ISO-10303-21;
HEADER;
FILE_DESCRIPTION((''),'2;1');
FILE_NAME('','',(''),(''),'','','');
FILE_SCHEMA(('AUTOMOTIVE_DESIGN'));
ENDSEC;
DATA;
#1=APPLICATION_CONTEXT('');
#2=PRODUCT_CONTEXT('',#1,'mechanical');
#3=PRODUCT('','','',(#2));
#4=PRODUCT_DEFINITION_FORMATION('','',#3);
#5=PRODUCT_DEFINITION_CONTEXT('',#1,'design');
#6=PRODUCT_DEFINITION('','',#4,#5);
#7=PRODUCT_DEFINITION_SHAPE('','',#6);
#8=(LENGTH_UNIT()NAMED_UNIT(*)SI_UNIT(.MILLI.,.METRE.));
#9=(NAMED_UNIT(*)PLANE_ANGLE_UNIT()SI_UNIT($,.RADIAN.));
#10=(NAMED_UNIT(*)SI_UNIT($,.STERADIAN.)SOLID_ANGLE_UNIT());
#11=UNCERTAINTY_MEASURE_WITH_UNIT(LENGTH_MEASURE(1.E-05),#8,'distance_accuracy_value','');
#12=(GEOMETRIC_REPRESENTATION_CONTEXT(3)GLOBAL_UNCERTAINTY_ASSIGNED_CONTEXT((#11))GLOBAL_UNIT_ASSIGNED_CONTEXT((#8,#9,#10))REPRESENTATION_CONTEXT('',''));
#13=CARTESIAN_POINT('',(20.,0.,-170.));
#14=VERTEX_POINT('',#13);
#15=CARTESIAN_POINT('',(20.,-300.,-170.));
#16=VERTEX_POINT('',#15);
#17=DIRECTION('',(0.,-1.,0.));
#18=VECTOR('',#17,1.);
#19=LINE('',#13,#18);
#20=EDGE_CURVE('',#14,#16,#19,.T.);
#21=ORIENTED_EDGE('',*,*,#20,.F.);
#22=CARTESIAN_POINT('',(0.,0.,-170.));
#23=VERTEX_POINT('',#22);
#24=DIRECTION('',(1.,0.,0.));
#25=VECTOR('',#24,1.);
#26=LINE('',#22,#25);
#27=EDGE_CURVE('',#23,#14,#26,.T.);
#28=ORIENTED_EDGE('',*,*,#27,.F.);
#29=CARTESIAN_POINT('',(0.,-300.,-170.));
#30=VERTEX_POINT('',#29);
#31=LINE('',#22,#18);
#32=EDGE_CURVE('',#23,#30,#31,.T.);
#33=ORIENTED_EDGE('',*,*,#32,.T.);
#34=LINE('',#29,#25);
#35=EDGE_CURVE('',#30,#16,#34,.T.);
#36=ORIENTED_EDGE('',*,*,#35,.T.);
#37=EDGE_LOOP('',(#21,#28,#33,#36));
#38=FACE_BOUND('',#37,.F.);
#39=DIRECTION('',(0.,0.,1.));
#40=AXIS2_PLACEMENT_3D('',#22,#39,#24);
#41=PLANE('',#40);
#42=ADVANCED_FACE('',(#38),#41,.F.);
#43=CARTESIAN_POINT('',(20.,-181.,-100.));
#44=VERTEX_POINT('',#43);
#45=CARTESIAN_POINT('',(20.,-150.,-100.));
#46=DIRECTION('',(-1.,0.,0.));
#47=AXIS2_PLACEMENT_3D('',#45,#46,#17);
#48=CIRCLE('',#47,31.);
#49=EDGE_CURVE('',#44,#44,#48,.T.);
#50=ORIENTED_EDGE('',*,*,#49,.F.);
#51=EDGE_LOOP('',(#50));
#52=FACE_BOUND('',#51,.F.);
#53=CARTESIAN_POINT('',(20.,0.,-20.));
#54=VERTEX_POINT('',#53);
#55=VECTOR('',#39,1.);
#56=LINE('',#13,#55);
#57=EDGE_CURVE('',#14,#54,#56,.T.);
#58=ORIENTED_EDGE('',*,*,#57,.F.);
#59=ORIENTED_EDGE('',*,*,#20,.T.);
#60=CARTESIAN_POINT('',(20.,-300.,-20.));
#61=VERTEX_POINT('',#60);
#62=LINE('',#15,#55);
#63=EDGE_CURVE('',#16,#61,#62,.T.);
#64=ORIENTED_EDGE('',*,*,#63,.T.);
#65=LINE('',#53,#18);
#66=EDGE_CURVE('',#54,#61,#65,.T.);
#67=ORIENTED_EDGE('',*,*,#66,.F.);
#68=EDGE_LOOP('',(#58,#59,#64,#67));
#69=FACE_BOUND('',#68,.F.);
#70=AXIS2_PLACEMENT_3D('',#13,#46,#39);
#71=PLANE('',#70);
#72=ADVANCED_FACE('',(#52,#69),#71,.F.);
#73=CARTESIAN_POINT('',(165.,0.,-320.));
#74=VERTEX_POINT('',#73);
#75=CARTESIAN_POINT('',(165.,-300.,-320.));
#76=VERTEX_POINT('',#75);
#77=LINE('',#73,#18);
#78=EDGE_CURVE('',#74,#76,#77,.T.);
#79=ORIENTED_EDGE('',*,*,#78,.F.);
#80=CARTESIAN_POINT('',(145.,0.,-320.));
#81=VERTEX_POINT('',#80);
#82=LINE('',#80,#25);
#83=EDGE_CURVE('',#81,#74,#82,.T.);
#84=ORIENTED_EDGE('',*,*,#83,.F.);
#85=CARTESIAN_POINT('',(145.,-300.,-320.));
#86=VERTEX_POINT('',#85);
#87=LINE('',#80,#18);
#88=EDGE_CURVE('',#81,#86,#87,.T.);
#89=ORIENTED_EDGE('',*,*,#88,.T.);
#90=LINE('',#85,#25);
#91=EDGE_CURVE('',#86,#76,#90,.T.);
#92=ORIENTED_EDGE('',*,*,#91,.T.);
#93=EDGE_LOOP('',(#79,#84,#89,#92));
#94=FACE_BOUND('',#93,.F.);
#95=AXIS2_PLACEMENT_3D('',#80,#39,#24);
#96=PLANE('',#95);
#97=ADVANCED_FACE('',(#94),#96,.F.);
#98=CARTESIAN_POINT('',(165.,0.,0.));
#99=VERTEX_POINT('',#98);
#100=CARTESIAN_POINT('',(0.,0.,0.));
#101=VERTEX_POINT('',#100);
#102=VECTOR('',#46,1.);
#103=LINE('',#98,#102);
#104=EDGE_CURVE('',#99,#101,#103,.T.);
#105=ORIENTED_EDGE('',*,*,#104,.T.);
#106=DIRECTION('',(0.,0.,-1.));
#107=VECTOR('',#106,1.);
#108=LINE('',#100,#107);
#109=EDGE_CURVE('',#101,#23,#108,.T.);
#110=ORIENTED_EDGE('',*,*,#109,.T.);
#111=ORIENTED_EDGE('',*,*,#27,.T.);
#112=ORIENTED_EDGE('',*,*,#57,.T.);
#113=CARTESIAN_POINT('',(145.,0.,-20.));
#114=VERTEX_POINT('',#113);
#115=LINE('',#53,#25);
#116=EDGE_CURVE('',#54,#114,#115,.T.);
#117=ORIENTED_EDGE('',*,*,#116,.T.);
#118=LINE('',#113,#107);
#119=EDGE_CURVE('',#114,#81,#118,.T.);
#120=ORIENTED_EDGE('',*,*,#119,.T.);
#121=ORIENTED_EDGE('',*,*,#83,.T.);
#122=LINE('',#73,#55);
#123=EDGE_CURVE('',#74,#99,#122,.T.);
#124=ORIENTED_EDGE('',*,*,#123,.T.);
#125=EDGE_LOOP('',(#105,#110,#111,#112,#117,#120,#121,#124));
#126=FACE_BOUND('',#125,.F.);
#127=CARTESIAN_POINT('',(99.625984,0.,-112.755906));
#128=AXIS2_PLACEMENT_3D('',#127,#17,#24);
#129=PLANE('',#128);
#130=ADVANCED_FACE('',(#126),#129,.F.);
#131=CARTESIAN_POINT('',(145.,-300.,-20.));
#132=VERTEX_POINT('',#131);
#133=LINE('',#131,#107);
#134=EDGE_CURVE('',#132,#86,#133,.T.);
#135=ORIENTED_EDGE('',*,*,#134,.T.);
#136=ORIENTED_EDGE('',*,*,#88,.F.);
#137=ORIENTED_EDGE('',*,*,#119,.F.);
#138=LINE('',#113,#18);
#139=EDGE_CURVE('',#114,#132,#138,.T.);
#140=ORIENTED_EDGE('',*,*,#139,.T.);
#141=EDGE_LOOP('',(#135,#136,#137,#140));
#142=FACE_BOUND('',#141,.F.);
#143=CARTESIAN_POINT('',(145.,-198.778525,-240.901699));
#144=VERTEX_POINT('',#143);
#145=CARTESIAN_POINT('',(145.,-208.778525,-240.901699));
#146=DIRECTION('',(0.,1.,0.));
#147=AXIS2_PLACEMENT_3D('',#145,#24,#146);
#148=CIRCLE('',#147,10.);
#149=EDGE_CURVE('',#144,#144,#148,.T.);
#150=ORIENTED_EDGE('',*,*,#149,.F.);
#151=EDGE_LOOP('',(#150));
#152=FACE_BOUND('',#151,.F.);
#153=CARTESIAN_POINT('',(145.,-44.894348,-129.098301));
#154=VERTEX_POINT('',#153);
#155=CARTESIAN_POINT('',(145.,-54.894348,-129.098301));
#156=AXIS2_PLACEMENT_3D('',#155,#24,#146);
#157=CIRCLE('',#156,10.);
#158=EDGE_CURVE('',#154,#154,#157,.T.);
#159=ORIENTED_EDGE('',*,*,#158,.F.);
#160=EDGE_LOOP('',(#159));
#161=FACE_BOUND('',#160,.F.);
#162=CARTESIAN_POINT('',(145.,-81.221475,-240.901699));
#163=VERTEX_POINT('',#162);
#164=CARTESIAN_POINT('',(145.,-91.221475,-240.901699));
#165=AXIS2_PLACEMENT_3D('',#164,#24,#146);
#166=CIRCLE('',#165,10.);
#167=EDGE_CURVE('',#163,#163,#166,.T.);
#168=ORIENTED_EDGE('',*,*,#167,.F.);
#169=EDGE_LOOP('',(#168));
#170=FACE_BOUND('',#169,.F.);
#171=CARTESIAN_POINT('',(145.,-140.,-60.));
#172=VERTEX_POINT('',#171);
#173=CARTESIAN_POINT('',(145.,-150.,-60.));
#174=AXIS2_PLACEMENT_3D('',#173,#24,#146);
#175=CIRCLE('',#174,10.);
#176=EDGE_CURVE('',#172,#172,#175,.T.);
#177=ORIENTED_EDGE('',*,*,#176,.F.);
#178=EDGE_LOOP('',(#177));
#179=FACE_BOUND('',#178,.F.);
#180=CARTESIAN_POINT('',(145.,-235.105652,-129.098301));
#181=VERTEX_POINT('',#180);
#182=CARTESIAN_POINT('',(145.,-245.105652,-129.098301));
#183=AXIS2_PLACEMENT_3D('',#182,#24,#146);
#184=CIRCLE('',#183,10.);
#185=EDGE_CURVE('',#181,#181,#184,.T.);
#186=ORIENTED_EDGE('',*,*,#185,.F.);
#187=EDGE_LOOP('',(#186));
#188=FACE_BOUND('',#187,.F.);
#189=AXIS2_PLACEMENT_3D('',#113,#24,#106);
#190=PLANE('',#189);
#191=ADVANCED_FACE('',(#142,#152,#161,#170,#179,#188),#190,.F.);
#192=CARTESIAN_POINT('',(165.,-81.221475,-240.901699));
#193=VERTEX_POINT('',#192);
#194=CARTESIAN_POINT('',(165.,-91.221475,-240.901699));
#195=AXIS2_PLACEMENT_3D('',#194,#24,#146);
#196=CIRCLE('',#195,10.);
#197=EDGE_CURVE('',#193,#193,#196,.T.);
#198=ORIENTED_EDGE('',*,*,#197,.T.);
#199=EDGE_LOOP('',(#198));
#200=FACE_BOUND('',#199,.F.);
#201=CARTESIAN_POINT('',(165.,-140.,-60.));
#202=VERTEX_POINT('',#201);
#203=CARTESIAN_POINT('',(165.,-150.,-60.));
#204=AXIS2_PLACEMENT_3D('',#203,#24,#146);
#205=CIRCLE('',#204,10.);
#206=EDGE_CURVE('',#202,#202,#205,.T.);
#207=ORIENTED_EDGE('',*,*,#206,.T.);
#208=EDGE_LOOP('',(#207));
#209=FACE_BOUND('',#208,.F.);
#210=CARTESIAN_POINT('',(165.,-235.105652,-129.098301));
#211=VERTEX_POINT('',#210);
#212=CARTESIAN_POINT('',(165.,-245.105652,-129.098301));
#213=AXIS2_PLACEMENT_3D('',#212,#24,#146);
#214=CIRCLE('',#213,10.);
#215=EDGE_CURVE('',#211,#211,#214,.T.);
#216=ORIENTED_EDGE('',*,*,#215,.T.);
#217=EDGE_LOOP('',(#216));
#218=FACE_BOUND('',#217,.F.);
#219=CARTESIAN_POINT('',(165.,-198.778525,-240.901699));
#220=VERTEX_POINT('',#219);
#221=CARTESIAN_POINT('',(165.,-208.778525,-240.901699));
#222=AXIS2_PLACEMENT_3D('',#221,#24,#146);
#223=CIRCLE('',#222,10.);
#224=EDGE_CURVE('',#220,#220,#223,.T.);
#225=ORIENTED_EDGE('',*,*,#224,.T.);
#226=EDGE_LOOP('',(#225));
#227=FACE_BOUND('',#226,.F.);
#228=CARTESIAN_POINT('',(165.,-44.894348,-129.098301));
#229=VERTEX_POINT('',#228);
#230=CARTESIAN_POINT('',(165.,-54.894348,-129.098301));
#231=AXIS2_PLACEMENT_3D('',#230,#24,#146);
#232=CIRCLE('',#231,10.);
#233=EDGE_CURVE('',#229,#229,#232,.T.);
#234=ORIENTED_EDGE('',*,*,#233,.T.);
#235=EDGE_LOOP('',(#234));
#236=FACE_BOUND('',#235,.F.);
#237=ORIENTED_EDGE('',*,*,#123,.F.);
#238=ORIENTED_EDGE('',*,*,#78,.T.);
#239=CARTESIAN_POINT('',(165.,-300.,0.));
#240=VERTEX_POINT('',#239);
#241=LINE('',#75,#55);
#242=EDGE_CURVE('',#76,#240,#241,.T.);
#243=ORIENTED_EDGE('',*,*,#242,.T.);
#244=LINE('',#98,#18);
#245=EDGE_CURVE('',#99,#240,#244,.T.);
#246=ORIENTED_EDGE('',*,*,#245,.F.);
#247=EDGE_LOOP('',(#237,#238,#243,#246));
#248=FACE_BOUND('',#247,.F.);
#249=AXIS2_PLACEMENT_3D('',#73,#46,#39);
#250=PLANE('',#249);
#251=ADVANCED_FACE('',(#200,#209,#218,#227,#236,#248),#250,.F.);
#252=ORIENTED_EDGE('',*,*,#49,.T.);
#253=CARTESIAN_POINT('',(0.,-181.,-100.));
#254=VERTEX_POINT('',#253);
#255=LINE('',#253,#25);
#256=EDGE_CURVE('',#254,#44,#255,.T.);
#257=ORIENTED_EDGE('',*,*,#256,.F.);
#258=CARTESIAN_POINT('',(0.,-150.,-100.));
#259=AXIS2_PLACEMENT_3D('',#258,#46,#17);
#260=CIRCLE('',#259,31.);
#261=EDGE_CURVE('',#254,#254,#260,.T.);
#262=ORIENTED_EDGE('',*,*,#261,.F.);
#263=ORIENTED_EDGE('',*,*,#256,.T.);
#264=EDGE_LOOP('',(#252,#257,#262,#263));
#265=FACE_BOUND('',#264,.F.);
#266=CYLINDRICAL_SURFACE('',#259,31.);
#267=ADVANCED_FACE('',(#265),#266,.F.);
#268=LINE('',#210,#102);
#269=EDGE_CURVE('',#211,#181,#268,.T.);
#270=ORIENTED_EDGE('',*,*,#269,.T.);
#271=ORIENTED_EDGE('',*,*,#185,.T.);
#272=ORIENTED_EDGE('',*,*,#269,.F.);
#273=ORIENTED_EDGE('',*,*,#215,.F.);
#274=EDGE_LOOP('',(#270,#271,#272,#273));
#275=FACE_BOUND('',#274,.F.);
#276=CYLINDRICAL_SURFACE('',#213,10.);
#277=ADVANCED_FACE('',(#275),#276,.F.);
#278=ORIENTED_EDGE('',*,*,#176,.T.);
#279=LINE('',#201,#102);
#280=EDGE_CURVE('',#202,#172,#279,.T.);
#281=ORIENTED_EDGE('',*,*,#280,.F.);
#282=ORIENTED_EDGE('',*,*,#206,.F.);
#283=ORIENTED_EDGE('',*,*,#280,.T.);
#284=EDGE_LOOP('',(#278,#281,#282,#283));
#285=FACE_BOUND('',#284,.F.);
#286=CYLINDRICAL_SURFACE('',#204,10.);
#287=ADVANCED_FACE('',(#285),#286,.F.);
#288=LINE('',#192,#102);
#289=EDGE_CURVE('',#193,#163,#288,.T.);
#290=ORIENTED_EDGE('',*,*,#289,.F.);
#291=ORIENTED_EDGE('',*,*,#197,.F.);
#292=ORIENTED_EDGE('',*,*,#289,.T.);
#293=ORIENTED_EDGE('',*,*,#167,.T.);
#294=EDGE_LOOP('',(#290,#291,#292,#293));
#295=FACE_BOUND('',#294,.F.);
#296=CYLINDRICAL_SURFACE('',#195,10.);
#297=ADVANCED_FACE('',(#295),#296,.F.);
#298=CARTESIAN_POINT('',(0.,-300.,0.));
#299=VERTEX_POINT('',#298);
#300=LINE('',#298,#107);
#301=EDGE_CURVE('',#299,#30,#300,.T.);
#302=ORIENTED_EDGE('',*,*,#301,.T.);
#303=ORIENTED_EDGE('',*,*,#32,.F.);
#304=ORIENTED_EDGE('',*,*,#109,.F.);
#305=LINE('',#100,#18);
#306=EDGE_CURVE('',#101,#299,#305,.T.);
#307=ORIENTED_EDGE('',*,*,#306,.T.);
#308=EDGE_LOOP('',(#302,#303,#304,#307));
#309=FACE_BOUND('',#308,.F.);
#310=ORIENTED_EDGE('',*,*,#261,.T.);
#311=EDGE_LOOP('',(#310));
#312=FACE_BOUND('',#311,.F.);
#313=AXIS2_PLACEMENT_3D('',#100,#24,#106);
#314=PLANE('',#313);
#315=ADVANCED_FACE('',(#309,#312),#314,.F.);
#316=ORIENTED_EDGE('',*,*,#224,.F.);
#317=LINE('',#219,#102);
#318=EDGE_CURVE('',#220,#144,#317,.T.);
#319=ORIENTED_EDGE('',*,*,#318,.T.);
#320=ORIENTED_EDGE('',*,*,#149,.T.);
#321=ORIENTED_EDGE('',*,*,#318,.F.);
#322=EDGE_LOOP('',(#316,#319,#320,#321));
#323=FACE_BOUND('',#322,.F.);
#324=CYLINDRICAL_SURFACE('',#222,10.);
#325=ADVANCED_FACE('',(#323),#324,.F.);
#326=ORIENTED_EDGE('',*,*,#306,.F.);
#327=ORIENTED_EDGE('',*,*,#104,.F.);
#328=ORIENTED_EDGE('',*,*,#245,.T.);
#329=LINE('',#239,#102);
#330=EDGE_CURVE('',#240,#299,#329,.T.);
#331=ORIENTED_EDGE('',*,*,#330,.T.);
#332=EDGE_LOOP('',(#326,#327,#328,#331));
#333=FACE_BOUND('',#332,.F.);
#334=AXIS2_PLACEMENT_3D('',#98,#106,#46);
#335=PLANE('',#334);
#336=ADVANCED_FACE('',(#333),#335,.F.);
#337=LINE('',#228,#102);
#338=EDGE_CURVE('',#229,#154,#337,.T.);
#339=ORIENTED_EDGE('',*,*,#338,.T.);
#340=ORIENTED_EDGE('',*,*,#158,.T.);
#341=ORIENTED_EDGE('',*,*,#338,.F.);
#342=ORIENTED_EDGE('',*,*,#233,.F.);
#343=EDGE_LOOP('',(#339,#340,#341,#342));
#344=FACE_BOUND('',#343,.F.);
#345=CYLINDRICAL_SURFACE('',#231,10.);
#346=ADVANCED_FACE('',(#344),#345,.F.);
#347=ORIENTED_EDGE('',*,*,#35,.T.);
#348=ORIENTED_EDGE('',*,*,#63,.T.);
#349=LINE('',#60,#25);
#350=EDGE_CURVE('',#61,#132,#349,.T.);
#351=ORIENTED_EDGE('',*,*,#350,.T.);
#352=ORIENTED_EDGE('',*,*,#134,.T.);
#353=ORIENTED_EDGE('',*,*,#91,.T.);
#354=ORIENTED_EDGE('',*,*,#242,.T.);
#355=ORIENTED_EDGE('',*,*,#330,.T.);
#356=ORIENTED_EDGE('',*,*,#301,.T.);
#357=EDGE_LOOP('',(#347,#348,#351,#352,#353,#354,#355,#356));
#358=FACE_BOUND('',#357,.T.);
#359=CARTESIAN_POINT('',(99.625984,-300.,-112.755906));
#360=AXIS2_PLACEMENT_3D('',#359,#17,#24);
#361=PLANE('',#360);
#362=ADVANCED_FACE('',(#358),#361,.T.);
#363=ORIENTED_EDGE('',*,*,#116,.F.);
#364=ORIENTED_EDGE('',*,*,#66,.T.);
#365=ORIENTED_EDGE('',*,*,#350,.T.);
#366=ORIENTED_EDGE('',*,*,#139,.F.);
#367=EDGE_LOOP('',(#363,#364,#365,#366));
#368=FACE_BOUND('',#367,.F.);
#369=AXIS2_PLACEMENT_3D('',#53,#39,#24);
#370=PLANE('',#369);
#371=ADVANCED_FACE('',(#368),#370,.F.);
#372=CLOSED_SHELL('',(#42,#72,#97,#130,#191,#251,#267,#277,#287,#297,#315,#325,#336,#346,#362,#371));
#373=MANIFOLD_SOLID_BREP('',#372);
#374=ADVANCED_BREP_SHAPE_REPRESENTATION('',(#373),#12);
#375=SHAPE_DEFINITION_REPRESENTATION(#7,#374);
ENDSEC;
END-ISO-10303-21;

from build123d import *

# Parameters (mm, degrees)
F1_DEPTH = 300
F2_R     = 31
F3_DEPTH = 20
F4_R     = 10
F5_DEPTH = 20


with BuildPart() as f1:
    # F0 (on Front) → F1 (new body)
    with BuildSketch(Plane.XZ):
        Polygon((165, 0), (0, 0), (0, -170), (20, -170), (20, -20), (145, -20), (145, -320), (165, -320), (165, -20), align=None)
    extrude(amount=F1_DEPTH)

    # F2 (on face) → F3 (cut, through all)
    with BuildSketch(Plane(origin=(0, 0, 0), x_dir=(0, -1, 0), z_dir=(-1, 0, 0))):
        with Locations((150, -100)):
            Circle(F2_R)
    extrude(amount=-F3_DEPTH, mode=Mode.SUBTRACT)

    # F4 (on face) → F5 (cut, through all)
    with BuildSketch(Plane.YZ.offset(165)):
        with Locations((-150, -60)):
            Circle(F4_R)
        with Locations((-245.105652, -129.098301)):
            Circle(F4_R)
        with Locations((-208.778525, -240.901699)):
            Circle(F4_R)
        with Locations((-91.221475, -240.901699)):
            Circle(F4_R)
        with Locations((-54.894348, -129.098301)):
            Circle(F4_R)
    extrude(amount=-F5_DEPTH, mode=Mode.SUBTRACT)


solid = f1.part
